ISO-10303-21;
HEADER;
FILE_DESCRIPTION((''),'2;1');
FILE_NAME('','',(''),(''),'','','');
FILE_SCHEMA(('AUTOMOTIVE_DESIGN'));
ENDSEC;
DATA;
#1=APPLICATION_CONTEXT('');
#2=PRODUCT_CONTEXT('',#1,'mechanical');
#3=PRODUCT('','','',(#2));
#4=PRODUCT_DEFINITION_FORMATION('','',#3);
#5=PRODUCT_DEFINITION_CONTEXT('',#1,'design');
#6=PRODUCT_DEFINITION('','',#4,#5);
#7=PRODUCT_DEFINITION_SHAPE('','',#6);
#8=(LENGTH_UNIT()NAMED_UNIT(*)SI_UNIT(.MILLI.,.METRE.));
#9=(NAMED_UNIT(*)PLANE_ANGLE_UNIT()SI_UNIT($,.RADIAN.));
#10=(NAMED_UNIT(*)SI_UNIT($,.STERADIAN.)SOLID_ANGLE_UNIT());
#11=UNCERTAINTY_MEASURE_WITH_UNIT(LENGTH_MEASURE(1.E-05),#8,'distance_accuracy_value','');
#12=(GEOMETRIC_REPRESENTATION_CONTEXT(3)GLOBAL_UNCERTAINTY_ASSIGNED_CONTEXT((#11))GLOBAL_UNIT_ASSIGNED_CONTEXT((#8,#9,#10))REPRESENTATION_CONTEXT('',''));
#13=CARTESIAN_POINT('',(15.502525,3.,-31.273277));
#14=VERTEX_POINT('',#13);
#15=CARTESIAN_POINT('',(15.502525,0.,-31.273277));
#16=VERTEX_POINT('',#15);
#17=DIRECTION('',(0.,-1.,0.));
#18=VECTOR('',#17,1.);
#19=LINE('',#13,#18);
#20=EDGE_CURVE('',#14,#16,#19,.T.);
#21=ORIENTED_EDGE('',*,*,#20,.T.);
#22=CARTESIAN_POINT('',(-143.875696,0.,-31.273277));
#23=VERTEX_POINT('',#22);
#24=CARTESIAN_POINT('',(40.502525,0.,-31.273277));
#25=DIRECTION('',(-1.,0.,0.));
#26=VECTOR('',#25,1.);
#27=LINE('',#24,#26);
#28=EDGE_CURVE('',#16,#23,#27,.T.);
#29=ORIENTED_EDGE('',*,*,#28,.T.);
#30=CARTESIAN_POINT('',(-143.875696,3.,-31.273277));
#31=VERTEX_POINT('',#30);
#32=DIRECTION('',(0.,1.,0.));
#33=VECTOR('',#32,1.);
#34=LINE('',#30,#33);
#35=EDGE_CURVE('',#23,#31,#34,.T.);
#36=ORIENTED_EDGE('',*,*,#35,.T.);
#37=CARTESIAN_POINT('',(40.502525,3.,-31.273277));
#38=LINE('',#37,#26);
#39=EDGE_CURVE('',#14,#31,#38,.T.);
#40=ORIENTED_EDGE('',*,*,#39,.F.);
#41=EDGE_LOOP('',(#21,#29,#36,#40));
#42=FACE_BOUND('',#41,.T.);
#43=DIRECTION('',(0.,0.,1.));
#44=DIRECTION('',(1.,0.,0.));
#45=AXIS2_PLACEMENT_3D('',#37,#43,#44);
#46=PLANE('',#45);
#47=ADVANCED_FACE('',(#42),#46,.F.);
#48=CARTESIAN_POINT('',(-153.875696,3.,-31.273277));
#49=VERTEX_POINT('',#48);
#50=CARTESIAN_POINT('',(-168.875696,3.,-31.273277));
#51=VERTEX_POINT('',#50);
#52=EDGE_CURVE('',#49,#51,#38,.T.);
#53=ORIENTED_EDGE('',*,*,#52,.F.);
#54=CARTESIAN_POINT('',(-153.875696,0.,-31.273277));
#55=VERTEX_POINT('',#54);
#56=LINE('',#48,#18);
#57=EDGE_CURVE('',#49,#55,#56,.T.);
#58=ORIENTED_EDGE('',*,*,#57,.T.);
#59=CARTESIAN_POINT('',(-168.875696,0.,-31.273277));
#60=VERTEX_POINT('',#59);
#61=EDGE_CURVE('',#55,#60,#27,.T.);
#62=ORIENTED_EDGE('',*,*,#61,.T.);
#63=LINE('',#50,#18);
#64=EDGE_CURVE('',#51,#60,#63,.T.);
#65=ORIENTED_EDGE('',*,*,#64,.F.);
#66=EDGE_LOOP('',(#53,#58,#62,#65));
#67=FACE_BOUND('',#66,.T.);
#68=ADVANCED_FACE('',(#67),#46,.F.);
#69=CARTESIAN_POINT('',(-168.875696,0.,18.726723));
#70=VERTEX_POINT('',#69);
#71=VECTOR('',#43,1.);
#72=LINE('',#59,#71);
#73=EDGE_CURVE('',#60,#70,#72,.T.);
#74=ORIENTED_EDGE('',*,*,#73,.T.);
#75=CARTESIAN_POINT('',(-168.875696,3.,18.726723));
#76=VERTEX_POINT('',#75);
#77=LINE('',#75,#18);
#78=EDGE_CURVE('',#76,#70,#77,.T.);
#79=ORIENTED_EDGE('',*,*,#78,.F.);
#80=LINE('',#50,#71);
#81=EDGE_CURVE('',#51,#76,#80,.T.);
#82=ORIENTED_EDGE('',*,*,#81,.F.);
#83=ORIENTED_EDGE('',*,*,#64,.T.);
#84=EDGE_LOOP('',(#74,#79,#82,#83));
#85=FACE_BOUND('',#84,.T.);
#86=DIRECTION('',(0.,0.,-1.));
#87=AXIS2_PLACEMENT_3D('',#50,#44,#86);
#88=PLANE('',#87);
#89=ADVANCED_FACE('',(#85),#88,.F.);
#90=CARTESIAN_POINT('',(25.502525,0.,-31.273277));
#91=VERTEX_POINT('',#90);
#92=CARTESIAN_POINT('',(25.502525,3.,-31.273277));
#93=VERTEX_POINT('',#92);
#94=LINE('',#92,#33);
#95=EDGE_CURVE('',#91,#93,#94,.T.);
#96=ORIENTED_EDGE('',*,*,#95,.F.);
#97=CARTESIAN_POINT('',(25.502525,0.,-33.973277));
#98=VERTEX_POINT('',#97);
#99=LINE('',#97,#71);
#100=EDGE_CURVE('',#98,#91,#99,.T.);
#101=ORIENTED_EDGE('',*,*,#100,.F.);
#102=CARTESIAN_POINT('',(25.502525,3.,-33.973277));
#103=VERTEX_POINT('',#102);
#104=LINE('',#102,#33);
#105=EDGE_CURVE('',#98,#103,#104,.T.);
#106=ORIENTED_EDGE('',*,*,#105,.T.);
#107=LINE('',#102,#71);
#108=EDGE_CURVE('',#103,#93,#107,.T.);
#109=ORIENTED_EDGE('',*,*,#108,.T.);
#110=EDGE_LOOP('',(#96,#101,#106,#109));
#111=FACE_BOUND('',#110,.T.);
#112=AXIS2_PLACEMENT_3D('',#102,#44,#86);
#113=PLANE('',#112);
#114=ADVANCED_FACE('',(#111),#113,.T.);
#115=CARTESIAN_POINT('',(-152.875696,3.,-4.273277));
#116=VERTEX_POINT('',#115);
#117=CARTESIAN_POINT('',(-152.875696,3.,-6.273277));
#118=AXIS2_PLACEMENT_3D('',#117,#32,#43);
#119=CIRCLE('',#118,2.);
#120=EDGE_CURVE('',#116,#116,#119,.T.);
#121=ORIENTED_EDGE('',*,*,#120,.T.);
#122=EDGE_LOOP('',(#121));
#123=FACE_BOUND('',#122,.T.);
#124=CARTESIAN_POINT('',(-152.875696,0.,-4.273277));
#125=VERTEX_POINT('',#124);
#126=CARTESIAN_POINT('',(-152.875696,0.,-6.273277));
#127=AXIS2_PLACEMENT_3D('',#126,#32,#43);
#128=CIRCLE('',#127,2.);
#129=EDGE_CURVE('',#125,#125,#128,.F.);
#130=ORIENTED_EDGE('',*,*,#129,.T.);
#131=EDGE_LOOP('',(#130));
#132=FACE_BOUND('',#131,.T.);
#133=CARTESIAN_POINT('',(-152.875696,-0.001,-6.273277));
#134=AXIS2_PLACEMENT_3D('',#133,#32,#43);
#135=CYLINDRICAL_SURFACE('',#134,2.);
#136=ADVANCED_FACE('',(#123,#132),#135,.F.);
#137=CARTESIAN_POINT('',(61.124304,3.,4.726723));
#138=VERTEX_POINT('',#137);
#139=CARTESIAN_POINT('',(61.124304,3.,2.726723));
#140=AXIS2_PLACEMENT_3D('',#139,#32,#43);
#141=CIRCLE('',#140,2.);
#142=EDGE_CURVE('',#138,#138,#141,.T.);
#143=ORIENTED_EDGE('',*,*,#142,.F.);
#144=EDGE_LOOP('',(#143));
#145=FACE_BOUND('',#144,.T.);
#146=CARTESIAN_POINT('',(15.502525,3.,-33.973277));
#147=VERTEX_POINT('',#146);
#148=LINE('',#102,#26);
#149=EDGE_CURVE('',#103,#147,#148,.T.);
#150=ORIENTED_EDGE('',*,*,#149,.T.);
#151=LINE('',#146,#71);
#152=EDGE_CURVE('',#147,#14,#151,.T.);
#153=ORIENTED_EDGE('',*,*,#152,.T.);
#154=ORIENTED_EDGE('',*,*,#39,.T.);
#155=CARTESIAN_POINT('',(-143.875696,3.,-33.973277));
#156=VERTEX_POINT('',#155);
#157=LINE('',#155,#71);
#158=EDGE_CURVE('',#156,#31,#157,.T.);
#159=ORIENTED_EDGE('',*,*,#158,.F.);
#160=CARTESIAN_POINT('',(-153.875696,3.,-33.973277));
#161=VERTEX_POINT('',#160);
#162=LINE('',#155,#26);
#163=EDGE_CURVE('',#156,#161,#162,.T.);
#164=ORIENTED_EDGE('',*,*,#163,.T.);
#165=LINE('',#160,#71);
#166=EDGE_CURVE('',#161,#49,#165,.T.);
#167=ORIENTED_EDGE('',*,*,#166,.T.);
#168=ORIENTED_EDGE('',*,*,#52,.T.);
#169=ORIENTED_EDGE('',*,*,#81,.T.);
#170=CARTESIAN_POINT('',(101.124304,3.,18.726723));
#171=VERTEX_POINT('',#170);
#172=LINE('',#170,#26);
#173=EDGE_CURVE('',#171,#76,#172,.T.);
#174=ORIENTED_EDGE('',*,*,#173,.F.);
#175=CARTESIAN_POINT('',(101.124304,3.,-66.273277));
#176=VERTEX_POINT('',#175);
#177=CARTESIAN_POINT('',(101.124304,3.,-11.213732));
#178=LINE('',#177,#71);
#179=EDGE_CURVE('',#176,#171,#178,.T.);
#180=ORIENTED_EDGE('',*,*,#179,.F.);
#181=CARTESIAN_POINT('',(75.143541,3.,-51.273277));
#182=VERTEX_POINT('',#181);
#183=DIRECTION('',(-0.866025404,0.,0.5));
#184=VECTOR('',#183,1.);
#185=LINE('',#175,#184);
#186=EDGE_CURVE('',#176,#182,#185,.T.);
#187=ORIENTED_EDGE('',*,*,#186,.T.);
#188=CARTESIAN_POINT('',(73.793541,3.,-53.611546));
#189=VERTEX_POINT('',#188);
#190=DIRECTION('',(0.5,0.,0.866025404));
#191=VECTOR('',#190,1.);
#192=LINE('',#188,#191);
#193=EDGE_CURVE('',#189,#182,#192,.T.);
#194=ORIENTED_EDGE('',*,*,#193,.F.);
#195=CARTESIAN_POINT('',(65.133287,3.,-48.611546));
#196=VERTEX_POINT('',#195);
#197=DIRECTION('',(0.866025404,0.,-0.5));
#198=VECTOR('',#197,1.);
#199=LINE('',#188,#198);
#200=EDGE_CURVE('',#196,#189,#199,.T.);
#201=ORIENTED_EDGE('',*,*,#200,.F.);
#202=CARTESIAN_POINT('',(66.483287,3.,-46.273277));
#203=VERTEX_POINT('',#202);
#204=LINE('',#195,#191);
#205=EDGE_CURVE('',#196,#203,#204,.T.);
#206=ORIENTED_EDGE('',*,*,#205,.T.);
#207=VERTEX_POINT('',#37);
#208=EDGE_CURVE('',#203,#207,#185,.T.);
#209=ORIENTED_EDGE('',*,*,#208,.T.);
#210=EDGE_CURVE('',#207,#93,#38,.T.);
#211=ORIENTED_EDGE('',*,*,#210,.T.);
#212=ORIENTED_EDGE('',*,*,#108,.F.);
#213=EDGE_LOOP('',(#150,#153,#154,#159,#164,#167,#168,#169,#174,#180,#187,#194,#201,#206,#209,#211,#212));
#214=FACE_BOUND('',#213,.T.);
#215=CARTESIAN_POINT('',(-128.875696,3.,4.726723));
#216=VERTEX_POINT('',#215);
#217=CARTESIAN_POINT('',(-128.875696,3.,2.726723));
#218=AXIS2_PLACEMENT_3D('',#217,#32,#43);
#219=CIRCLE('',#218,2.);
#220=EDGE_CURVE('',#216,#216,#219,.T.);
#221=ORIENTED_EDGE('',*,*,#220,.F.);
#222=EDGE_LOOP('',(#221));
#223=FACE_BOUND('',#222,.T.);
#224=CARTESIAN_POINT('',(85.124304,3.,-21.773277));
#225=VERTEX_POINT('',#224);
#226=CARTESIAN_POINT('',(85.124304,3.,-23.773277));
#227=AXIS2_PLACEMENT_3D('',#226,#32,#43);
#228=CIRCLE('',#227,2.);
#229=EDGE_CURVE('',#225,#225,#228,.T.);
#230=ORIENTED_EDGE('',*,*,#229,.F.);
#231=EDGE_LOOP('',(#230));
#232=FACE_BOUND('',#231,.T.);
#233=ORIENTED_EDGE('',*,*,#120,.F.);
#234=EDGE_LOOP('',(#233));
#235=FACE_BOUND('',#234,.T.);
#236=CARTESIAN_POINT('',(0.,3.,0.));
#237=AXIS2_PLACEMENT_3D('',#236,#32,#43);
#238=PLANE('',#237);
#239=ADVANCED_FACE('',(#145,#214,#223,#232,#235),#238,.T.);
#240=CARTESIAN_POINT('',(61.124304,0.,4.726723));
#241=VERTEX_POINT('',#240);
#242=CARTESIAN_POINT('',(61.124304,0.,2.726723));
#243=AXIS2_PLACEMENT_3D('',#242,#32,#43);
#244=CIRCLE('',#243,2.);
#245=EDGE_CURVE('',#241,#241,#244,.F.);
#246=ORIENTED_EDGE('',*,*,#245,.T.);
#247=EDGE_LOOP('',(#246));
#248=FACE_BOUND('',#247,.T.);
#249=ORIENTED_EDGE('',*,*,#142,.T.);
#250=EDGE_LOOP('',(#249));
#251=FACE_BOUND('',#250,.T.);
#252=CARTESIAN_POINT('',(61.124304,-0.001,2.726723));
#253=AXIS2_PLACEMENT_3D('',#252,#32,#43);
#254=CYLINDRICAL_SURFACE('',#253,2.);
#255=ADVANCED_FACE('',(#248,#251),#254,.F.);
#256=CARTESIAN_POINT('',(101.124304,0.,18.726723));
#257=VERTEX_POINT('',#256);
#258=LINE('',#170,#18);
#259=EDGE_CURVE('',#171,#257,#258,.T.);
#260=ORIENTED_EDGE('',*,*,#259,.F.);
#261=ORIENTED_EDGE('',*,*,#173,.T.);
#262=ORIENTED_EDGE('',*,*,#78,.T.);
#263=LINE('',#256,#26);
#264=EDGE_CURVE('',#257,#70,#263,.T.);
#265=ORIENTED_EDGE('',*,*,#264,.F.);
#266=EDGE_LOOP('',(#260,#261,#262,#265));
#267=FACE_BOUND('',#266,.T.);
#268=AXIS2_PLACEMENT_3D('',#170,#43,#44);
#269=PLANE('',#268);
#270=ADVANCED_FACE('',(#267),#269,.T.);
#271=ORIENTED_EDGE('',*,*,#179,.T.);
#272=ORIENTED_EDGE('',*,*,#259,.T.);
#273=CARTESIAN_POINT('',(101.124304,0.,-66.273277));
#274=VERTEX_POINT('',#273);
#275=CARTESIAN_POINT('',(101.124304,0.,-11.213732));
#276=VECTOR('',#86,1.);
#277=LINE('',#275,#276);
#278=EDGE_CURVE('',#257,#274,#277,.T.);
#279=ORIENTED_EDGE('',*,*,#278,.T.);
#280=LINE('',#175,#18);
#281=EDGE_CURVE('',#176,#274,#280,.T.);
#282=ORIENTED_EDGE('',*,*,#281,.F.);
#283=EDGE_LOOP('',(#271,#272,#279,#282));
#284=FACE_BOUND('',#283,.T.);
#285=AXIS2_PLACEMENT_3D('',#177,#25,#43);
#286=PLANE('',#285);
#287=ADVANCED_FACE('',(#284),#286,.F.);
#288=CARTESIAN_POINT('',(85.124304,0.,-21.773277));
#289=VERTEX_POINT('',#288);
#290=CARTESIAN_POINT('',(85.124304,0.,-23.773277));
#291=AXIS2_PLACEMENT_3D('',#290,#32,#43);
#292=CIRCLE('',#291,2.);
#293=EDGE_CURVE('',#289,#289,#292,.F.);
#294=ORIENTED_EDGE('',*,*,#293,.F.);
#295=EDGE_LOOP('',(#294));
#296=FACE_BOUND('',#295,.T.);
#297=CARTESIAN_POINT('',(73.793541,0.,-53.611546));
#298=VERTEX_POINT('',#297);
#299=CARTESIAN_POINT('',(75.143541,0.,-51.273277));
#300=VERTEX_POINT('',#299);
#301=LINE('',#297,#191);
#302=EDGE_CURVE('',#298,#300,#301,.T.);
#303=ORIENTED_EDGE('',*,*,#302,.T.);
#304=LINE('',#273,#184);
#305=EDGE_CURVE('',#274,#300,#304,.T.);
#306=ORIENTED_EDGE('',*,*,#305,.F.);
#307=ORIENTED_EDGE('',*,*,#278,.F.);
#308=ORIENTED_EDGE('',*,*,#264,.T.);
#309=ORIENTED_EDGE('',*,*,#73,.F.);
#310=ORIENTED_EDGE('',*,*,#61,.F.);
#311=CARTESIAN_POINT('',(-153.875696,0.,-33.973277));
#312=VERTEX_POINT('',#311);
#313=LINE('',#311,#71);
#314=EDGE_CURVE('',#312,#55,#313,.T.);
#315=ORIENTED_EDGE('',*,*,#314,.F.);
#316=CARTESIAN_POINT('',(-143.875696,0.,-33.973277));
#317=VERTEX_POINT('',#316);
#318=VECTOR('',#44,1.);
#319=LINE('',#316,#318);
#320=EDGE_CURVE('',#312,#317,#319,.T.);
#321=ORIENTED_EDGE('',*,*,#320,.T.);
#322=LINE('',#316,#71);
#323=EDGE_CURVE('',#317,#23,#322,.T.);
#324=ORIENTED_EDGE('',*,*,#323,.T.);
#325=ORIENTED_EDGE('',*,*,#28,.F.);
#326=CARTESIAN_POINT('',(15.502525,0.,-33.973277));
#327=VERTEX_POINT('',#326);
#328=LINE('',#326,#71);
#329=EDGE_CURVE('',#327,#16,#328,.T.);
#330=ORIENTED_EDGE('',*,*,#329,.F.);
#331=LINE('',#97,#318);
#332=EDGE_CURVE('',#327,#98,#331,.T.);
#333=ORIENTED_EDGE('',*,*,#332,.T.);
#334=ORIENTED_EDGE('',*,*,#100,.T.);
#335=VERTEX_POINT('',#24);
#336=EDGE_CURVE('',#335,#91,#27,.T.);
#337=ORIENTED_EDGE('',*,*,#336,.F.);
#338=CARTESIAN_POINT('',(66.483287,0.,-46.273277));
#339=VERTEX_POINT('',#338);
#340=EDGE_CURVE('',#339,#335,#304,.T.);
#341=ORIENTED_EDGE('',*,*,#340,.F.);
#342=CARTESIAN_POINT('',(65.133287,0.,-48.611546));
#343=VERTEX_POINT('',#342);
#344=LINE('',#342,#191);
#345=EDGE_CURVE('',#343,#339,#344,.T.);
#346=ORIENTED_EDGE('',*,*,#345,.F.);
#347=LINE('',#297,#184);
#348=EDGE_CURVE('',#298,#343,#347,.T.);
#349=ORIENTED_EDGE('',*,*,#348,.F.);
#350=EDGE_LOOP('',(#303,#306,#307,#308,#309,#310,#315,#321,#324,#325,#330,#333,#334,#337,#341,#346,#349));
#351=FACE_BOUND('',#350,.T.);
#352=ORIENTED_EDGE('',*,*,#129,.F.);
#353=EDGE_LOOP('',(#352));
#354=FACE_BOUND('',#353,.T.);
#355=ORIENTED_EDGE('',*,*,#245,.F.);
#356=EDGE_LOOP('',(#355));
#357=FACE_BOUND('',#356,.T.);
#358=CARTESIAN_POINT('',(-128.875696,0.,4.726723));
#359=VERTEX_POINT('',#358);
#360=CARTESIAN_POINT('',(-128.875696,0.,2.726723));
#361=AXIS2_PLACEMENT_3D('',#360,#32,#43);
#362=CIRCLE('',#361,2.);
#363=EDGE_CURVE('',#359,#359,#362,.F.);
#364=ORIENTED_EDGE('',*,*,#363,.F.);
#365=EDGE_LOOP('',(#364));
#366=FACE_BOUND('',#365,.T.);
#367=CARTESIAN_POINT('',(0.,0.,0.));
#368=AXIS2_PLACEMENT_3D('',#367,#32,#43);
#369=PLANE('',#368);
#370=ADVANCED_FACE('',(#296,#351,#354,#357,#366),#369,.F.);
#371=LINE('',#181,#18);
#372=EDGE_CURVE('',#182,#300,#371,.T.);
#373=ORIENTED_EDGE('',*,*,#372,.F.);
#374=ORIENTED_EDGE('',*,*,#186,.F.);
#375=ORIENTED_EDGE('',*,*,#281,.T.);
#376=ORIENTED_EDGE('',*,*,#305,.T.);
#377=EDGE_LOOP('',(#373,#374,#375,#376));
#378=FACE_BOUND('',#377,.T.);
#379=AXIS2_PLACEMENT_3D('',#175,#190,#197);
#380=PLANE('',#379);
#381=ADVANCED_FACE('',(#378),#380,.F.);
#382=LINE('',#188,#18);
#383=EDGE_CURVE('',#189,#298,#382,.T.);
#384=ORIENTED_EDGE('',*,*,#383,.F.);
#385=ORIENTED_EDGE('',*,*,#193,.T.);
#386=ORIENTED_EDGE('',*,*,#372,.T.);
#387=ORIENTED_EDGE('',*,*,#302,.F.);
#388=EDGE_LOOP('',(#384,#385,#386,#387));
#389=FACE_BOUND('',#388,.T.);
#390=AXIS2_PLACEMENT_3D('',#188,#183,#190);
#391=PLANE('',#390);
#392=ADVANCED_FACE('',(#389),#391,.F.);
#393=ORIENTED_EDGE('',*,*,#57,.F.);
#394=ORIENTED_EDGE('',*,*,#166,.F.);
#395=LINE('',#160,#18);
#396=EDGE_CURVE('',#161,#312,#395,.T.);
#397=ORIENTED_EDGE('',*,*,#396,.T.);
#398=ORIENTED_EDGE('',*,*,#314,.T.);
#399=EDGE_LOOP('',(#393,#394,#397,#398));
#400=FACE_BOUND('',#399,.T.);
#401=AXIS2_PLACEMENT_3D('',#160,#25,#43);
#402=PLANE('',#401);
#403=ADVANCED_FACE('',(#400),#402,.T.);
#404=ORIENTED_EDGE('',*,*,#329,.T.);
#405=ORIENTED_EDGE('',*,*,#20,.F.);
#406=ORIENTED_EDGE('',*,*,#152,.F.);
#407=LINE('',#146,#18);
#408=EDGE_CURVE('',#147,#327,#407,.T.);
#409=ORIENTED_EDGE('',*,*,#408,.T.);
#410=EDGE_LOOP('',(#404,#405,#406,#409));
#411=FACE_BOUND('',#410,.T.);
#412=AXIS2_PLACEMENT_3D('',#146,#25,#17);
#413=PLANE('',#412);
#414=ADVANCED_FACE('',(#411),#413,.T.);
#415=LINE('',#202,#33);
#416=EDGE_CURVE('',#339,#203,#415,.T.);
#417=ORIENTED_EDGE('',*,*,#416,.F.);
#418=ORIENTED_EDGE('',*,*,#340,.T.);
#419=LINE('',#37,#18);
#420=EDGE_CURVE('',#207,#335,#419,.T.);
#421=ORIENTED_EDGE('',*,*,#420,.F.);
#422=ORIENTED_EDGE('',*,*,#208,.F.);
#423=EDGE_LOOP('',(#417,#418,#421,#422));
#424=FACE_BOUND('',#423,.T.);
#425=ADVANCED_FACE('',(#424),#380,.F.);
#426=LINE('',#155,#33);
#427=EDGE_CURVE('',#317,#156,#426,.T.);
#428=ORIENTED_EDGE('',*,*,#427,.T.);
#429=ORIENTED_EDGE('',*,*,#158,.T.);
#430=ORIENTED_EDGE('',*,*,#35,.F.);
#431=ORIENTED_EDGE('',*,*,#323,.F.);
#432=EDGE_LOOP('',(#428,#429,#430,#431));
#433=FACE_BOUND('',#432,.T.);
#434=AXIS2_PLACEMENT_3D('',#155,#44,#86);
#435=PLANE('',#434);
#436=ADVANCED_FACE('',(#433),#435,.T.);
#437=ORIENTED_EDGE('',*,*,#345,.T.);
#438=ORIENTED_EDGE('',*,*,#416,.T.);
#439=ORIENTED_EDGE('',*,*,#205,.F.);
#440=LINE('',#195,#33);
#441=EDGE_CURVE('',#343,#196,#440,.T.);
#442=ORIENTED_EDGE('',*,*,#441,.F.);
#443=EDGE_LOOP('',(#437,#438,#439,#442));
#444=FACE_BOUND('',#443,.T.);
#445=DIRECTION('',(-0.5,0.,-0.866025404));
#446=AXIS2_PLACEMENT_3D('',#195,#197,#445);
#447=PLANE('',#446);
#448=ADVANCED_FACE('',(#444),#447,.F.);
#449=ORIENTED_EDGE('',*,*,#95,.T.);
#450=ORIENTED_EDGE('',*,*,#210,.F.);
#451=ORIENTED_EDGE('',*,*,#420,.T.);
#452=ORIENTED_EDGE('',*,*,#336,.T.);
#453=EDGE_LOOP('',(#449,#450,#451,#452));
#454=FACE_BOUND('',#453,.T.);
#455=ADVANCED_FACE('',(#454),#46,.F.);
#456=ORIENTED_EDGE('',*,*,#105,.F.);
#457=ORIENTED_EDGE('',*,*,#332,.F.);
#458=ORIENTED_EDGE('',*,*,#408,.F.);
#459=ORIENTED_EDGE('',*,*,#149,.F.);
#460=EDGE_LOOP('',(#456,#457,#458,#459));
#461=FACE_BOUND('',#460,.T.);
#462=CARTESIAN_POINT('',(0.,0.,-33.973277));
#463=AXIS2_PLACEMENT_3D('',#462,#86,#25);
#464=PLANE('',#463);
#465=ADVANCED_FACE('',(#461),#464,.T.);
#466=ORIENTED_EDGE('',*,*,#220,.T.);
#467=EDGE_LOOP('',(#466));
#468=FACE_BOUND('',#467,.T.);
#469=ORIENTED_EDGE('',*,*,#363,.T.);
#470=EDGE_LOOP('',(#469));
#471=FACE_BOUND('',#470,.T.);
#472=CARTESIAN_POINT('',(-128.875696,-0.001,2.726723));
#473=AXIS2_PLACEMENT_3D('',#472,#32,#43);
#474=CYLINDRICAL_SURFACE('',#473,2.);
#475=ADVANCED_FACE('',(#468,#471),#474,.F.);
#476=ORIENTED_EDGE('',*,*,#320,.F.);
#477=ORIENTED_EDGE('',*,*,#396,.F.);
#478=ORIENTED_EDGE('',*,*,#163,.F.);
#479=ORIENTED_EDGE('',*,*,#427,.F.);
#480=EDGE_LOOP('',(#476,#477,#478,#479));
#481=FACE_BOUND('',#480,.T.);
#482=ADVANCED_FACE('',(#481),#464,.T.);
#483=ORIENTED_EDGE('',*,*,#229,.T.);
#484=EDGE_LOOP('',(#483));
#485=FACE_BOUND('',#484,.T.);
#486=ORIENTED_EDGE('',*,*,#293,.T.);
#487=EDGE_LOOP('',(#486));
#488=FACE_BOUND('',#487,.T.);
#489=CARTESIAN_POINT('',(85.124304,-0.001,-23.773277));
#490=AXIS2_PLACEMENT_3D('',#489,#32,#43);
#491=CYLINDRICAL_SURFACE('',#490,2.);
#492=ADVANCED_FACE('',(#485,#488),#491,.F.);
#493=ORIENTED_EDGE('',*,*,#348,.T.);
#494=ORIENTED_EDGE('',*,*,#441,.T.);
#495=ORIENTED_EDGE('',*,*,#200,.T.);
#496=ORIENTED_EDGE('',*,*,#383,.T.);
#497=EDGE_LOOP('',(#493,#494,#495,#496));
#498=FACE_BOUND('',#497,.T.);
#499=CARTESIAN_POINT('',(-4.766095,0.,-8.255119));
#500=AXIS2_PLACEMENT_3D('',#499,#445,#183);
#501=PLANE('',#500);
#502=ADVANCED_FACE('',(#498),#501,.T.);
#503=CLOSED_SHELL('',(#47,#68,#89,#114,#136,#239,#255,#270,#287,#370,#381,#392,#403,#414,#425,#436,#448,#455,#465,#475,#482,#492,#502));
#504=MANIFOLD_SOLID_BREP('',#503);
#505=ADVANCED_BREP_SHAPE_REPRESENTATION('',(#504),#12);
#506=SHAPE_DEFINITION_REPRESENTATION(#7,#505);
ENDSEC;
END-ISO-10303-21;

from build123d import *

# Parameters (mm, degrees)
BOSS_EXTRUDE1_DEPTH = 3
CUT_EXTRUDE1_REACH  = 5
SKETCH2_R           = 2
CUT_EXTRUDE2_REACH  = 5
SKETCH3_R           = 2
SKETCH4_W           = 10
SKETCH4_H           = 3
BOSS_EXTRUDE3_DEPTH = 2.7
SKETCH5_W           = 10
SKETCH5_H           = 3
BOSS_EXTRUDE4_DEPTH = 2.7


with BuildPart() as part:
    # Sketch1 → Boss-Extrude1 (new body)
    with BuildSketch(Plane(origin=(0, 0, 0), x_dir=(1, 0, 0), z_dir=(0, 1, 0))):
        Polygon((101.124303582, 11.213732055), (101.124303582, 66.273277114), (40.502525317, 31.273277114), (-168.875696418, 31.273277114), (-168.875696418, -18.726722886), (101.124303582, -18.726722886), align=None)
    extrude(amount=BOSS_EXTRUDE1_DEPTH)

    # Sketch2 → Cut-Extrude1 (cut, up to next)
    with BuildSketch(Plane(origin=(0, 3, 0), x_dir=(1, 0, 0), z_dir=(0, 1, 0)), mode=Mode.PRIVATE) as cut_extrude1_sk1:
        with Locations(Location((-152.875696418, 6.273277114, 0), (0, 0, 270))):  # turned: the seam where the file's is
            Circle(SKETCH2_R)
    cut_extrude1_tool1 = extrude(cut_extrude1_sk1.sketch, amount=-CUT_EXTRUDE1_REACH, mode=Mode.PRIVATE) & part.part
    add(cut_extrude1_tool1.solids().sort_by_distance((-152.875696, 3, -6.273277))[0], mode=Mode.SUBTRACT)
    # Sketch2 → Cut-Extrude1 (cut, up to next)
    with BuildSketch(Plane(origin=(0, 3, 0), x_dir=(1, 0, 0), z_dir=(0, 1, 0)), mode=Mode.PRIVATE) as cut_extrude1_sk2:
        with Locations(Location((85.124303582, 23.773277114, 0), (0, 0, 270))):  # turned: the seam where the file's is
            Circle(SKETCH2_R)
    cut_extrude1_tool2 = extrude(cut_extrude1_sk2.sketch, amount=-CUT_EXTRUDE1_REACH, mode=Mode.PRIVATE) & part.part
    add(cut_extrude1_tool2.solids().sort_by_distance((85.124304, 3, -23.773277))[0], mode=Mode.SUBTRACT)

    # Sketch3 → Cut-Extrude2 (cut, up to next)
    with BuildSketch(Plane(origin=(0, 3, 0), x_dir=(1, 0, 0), z_dir=(0, 1, 0)), mode=Mode.PRIVATE) as cut_extrude2_sk1:
        with Locations(Location((-128.875696418, -2.726722886, 0), (0, 0, 270))):  # turned: the seam where the file's is
            Circle(SKETCH3_R)
    cut_extrude2_tool1 = extrude(cut_extrude2_sk1.sketch, amount=-CUT_EXTRUDE2_REACH, mode=Mode.PRIVATE) & part.part
    add(cut_extrude2_tool1.solids().sort_by_distance((-128.875696, 3, 2.726723))[0], mode=Mode.SUBTRACT)
    # Sketch3 → Cut-Extrude2 (cut, up to next)
    with BuildSketch(Plane(origin=(0, 3, 0), x_dir=(1, 0, 0), z_dir=(0, 1, 0)), mode=Mode.PRIVATE) as cut_extrude2_sk2:
        with Locations(Location((61.124303582, -2.726722886, 0), (0, 0, 270))):  # turned: the seam where the file's is
            Circle(SKETCH3_R)
    cut_extrude2_tool2 = extrude(cut_extrude2_sk2.sketch, amount=-CUT_EXTRUDE2_REACH, mode=Mode.PRIVATE) & part.part
    add(cut_extrude2_tool2.solids().sort_by_distance((61.124304, 3, 2.726723))[0], mode=Mode.SUBTRACT)

    # Sketch4 → Boss-Extrude3 (add)
    with BuildSketch(Plane.XY.offset(-31.273277114)):
        with Locations((-148.875696418, 1.5)):
            Rectangle(SKETCH4_W, SKETCH4_H)
        with Locations((20.502525317, 1.5)):
            Rectangle(SKETCH4_W, SKETCH4_H)
    extrude(amount=-BOSS_EXTRUDE3_DEPTH)

    # Sketch5 → Boss-Extrude4 (add)
    with BuildSketch(Plane(origin=(-3.416094891, 0, -5.916849915), x_dir=(-0.866025404, 0, 0.5), z_dir=(-0.5, 0, -0.866025404))):
        with Locations((-85.712854399, 1.5)):
            Rectangle(SKETCH5_W, SKETCH5_H)
    extrude(amount=BOSS_EXTRUDE4_DEPTH)


solid = part.part
